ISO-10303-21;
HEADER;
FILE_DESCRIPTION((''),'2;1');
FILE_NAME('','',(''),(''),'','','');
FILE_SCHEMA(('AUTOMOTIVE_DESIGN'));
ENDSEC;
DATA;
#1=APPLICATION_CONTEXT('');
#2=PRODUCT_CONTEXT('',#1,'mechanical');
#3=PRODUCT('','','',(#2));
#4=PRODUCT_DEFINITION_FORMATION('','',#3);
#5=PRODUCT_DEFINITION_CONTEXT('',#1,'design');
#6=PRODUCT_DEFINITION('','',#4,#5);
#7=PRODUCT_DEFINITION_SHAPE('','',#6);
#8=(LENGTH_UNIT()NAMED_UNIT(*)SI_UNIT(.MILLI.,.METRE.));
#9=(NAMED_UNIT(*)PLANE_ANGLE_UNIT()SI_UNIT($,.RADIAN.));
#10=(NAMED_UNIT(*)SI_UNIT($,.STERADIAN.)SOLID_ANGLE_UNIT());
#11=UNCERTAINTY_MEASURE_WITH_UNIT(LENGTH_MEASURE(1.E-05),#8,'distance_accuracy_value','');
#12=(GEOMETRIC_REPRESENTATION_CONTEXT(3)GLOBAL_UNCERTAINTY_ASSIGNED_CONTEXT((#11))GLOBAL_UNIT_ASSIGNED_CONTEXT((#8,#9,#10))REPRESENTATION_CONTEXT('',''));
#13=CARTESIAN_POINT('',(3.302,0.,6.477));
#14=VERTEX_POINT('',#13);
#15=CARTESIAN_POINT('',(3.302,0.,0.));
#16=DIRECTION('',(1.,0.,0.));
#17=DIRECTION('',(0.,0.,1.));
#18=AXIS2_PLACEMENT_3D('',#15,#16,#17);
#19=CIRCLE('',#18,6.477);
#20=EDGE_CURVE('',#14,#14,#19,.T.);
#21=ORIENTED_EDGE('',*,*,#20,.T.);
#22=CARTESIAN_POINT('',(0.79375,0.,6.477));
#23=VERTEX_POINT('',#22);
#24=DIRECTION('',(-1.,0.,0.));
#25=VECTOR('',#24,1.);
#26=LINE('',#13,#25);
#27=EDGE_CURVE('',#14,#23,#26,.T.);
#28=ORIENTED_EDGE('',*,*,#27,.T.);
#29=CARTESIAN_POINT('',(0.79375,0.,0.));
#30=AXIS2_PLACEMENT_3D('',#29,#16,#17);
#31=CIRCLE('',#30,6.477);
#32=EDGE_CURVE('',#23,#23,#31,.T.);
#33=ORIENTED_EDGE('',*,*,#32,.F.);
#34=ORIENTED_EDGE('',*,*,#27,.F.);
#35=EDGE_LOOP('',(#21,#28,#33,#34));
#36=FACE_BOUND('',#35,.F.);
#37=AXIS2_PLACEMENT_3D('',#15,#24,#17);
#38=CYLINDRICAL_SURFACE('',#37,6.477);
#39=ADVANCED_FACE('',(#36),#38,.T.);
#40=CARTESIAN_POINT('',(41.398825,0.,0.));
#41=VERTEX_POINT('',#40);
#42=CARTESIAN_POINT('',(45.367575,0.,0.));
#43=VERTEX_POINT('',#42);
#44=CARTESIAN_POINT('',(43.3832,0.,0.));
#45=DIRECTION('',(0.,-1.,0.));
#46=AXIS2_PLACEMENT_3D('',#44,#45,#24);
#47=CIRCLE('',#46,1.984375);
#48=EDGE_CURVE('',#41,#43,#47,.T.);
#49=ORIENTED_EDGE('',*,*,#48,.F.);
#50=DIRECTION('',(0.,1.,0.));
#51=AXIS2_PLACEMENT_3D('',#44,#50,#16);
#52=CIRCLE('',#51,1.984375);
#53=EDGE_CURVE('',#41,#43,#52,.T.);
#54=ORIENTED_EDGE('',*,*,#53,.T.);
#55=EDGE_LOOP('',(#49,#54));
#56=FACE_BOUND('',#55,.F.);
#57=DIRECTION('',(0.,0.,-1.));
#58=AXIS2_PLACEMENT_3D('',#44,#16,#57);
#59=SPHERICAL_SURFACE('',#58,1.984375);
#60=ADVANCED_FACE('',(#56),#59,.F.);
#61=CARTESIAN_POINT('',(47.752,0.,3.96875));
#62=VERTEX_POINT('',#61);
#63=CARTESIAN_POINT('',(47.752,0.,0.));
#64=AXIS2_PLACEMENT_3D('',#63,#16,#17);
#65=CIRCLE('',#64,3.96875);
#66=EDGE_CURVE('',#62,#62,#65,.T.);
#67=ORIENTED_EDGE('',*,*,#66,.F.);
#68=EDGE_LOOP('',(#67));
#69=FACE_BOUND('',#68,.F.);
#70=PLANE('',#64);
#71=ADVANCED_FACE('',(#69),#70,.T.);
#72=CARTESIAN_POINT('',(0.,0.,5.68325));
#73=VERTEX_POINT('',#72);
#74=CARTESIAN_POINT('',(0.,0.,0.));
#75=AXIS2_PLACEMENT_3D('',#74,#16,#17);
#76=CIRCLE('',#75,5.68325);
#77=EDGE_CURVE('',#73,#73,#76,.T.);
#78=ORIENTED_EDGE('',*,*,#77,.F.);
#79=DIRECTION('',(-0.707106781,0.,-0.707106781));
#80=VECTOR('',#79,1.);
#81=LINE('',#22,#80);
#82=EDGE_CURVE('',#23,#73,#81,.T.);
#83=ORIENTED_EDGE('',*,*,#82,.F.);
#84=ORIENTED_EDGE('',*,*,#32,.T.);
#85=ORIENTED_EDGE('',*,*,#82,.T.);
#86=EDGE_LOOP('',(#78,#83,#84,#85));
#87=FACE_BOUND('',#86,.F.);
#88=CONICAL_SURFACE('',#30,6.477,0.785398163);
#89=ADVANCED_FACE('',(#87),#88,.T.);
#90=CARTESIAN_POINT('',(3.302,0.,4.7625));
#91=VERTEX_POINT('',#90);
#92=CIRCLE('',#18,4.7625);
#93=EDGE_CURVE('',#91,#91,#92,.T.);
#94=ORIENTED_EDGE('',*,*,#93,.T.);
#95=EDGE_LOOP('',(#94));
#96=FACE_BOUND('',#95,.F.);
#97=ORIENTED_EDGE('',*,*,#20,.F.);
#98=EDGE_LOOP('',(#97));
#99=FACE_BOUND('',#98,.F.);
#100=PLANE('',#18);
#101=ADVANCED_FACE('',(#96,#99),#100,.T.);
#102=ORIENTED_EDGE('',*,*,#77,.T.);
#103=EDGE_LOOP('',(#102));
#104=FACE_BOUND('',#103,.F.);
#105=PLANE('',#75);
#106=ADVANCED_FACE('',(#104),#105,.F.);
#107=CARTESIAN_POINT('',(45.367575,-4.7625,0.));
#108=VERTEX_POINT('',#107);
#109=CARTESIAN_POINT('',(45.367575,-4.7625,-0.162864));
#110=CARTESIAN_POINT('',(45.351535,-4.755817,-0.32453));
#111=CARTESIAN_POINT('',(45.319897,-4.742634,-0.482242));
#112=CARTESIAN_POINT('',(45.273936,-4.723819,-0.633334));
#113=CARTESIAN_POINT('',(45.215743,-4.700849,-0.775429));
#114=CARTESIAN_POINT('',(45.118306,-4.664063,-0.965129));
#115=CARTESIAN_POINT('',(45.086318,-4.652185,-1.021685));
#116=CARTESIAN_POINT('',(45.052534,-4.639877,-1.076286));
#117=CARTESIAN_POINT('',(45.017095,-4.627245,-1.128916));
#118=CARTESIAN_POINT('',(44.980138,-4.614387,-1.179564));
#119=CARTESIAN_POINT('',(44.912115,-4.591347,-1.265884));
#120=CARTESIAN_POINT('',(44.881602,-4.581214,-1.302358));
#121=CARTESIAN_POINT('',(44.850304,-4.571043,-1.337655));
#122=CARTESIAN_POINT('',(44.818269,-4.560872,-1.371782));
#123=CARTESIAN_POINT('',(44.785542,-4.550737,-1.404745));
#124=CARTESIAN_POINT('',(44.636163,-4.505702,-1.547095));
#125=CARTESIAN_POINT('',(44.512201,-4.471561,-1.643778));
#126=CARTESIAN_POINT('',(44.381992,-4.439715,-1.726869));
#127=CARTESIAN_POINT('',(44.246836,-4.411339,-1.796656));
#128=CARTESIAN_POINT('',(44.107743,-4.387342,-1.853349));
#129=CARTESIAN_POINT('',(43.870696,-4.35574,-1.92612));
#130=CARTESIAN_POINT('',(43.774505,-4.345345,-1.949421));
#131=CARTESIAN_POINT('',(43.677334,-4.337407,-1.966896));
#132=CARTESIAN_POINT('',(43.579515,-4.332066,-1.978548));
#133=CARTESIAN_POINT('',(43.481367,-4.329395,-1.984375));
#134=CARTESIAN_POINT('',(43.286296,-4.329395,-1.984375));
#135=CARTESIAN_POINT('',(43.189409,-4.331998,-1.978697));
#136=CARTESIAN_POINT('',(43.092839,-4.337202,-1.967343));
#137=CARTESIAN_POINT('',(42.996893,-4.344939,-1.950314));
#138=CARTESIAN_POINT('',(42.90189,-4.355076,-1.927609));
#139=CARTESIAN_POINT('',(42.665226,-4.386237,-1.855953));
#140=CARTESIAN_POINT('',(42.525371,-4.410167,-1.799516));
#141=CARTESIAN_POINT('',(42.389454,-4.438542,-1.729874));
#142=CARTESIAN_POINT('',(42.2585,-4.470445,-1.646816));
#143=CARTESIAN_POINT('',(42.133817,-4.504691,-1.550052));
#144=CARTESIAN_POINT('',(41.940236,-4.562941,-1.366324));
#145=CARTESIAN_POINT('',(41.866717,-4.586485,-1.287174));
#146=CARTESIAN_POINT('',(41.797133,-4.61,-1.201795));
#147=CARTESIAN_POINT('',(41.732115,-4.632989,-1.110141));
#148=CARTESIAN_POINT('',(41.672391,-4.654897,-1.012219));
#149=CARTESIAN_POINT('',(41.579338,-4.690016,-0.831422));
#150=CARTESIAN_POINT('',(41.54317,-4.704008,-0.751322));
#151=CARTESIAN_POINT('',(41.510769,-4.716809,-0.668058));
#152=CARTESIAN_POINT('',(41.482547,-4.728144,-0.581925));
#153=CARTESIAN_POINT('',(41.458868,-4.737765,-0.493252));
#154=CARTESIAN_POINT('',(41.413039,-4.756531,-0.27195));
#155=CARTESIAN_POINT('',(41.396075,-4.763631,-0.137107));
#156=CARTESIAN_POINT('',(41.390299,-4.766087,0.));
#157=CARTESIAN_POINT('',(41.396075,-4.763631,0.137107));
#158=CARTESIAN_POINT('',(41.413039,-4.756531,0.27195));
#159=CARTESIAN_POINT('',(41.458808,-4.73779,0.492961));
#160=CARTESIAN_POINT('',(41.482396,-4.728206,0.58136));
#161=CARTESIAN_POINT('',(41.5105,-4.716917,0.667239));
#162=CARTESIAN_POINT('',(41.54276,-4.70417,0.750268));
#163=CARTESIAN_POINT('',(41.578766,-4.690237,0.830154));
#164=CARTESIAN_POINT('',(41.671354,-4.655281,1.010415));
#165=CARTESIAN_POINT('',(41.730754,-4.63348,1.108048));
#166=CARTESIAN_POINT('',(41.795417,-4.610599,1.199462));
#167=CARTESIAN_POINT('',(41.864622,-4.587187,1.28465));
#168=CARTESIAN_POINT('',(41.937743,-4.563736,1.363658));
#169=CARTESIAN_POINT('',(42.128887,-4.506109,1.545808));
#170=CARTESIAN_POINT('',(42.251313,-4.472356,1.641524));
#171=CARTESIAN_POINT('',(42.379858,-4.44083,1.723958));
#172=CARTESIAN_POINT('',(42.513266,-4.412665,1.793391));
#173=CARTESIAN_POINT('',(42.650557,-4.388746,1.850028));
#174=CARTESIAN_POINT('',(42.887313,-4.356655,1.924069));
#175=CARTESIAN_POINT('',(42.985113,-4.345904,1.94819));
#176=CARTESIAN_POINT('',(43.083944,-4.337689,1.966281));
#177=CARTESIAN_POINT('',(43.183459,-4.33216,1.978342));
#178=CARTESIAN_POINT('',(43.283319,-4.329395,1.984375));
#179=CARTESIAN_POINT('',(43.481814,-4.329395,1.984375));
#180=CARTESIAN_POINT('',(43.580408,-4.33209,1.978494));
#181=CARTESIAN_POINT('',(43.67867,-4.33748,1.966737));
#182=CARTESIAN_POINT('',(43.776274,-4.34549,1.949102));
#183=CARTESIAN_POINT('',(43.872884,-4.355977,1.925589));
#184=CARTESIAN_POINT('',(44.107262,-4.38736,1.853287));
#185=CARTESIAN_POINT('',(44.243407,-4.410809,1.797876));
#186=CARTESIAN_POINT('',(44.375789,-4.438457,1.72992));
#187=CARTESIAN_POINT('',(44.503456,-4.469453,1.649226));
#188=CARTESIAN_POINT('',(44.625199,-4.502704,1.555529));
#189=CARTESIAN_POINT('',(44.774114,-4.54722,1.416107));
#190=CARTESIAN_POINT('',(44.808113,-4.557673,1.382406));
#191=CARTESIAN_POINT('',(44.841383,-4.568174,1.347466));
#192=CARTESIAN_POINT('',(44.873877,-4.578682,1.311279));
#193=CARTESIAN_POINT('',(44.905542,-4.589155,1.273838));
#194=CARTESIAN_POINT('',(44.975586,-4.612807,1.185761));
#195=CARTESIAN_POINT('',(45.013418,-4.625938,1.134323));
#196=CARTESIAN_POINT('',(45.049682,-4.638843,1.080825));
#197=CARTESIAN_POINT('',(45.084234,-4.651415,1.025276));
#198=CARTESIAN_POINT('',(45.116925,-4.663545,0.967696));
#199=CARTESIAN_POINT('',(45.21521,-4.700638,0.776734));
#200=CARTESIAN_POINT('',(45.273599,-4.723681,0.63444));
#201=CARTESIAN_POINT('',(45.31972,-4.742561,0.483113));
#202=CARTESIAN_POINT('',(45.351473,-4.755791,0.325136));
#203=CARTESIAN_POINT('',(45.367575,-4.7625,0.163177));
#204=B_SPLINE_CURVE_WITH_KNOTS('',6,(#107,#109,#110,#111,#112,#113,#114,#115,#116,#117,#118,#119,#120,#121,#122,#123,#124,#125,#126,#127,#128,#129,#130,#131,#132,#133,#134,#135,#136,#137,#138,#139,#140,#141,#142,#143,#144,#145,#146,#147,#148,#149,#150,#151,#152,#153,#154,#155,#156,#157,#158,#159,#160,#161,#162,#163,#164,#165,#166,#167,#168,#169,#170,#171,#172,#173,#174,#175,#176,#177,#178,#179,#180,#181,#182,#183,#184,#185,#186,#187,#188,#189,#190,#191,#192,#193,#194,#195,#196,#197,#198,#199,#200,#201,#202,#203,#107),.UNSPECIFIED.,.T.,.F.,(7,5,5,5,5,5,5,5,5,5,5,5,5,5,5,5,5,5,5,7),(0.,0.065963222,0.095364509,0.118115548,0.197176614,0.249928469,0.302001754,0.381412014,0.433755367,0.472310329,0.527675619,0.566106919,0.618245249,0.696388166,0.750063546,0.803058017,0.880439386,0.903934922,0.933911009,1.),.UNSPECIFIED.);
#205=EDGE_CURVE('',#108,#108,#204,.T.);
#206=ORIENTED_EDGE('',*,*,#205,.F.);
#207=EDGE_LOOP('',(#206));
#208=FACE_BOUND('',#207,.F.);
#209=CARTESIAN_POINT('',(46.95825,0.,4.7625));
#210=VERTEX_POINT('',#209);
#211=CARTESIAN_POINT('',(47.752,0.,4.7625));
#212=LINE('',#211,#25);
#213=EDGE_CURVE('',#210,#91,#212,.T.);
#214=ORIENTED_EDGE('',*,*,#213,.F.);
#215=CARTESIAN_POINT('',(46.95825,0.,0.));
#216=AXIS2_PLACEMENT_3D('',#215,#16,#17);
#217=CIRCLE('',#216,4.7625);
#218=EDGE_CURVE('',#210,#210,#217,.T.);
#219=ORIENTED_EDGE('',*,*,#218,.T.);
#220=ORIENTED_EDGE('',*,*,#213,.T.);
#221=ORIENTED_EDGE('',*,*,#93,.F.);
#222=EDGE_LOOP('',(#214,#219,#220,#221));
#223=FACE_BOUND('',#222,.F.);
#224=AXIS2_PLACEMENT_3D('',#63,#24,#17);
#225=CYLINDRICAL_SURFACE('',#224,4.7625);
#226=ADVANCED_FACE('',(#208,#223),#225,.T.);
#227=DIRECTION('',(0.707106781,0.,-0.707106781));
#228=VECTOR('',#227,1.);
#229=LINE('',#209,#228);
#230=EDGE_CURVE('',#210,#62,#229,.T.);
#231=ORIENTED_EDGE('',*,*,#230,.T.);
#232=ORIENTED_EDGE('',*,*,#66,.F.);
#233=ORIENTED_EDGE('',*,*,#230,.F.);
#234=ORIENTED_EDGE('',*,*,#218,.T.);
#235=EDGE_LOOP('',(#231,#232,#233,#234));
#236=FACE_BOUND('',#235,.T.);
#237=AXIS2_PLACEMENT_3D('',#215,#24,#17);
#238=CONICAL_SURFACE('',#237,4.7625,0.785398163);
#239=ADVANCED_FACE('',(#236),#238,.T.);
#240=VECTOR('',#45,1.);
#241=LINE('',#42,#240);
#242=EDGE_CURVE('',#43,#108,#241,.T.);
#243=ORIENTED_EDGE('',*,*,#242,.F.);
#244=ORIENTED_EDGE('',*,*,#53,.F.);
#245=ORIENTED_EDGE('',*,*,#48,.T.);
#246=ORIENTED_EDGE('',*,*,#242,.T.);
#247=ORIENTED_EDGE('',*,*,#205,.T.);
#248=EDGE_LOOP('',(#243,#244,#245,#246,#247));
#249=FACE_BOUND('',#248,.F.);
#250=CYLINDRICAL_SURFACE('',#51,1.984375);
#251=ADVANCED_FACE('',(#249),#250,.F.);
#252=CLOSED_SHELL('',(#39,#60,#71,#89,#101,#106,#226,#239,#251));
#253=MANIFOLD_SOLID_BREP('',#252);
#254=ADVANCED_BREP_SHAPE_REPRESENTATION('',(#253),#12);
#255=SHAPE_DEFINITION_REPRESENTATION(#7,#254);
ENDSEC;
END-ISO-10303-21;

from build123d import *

# Parameters (mm, degrees)
F2_D     = 3.96875
F2_DEPTH = 6.478
F3_SIZE  = 0.79375


with BuildPart() as f1:
    # F0 (on Front) → F1 (revolve)
    with BuildSketch(Plane.XZ):
        with BuildLine():
            Line((0, 6.477), (0, 0))
            Line((0, 0), (41.398825, 0))
            ThreePointArc((41.398825, 0), (43.3832, 1.984375), (45.367575, 0))
            Line((45.367575, 0), (47.752, 0))
            Line((47.752, 0), (47.752, 4.7625))
            Line((47.752, 4.7625), (3.302, 4.7625))
            Line((3.302, 4.7625), (3.302, 6.477))
            Line((3.302, 6.477), (0, 6.477))
        make_face()
        with BuildLine():
            ThreePointArc((45.367575, 0), (43.3832, 1.984375), (41.398825, 0))
            Line((41.398825, 0), (45.367575, 0))
        make_face()
        with BuildLine():
            Line((45.367575, 0), (41.398825, 0))
            ThreePointArc((41.398825, 0), (43.3832, -1.984375), (45.367575, 0))
        make_face()
    revolve(axis=Axis((23.876, 0, 0), (1, 0, 0)))

    # F2 (through all, one way)
    with BuildSketch(Plane(origin=(0, 0, 0), x_dir=(1, 0, 0), z_dir=(0, 1, 0))):
        with Locations((43.3832, 0)):
            Circle(F2_D / 2)
    extrude(amount=-F2_DEPTH, mode=Mode.SUBTRACT)

    # F3
    f3_edges = [f1.edges().sort_by_distance(p)[0] for p in [
        (47.752, 0, -4.7625),
        (0, 0, -6.477),
    ]]
    chamfer(f3_edges, length=F3_SIZE)


solid = f1.part
